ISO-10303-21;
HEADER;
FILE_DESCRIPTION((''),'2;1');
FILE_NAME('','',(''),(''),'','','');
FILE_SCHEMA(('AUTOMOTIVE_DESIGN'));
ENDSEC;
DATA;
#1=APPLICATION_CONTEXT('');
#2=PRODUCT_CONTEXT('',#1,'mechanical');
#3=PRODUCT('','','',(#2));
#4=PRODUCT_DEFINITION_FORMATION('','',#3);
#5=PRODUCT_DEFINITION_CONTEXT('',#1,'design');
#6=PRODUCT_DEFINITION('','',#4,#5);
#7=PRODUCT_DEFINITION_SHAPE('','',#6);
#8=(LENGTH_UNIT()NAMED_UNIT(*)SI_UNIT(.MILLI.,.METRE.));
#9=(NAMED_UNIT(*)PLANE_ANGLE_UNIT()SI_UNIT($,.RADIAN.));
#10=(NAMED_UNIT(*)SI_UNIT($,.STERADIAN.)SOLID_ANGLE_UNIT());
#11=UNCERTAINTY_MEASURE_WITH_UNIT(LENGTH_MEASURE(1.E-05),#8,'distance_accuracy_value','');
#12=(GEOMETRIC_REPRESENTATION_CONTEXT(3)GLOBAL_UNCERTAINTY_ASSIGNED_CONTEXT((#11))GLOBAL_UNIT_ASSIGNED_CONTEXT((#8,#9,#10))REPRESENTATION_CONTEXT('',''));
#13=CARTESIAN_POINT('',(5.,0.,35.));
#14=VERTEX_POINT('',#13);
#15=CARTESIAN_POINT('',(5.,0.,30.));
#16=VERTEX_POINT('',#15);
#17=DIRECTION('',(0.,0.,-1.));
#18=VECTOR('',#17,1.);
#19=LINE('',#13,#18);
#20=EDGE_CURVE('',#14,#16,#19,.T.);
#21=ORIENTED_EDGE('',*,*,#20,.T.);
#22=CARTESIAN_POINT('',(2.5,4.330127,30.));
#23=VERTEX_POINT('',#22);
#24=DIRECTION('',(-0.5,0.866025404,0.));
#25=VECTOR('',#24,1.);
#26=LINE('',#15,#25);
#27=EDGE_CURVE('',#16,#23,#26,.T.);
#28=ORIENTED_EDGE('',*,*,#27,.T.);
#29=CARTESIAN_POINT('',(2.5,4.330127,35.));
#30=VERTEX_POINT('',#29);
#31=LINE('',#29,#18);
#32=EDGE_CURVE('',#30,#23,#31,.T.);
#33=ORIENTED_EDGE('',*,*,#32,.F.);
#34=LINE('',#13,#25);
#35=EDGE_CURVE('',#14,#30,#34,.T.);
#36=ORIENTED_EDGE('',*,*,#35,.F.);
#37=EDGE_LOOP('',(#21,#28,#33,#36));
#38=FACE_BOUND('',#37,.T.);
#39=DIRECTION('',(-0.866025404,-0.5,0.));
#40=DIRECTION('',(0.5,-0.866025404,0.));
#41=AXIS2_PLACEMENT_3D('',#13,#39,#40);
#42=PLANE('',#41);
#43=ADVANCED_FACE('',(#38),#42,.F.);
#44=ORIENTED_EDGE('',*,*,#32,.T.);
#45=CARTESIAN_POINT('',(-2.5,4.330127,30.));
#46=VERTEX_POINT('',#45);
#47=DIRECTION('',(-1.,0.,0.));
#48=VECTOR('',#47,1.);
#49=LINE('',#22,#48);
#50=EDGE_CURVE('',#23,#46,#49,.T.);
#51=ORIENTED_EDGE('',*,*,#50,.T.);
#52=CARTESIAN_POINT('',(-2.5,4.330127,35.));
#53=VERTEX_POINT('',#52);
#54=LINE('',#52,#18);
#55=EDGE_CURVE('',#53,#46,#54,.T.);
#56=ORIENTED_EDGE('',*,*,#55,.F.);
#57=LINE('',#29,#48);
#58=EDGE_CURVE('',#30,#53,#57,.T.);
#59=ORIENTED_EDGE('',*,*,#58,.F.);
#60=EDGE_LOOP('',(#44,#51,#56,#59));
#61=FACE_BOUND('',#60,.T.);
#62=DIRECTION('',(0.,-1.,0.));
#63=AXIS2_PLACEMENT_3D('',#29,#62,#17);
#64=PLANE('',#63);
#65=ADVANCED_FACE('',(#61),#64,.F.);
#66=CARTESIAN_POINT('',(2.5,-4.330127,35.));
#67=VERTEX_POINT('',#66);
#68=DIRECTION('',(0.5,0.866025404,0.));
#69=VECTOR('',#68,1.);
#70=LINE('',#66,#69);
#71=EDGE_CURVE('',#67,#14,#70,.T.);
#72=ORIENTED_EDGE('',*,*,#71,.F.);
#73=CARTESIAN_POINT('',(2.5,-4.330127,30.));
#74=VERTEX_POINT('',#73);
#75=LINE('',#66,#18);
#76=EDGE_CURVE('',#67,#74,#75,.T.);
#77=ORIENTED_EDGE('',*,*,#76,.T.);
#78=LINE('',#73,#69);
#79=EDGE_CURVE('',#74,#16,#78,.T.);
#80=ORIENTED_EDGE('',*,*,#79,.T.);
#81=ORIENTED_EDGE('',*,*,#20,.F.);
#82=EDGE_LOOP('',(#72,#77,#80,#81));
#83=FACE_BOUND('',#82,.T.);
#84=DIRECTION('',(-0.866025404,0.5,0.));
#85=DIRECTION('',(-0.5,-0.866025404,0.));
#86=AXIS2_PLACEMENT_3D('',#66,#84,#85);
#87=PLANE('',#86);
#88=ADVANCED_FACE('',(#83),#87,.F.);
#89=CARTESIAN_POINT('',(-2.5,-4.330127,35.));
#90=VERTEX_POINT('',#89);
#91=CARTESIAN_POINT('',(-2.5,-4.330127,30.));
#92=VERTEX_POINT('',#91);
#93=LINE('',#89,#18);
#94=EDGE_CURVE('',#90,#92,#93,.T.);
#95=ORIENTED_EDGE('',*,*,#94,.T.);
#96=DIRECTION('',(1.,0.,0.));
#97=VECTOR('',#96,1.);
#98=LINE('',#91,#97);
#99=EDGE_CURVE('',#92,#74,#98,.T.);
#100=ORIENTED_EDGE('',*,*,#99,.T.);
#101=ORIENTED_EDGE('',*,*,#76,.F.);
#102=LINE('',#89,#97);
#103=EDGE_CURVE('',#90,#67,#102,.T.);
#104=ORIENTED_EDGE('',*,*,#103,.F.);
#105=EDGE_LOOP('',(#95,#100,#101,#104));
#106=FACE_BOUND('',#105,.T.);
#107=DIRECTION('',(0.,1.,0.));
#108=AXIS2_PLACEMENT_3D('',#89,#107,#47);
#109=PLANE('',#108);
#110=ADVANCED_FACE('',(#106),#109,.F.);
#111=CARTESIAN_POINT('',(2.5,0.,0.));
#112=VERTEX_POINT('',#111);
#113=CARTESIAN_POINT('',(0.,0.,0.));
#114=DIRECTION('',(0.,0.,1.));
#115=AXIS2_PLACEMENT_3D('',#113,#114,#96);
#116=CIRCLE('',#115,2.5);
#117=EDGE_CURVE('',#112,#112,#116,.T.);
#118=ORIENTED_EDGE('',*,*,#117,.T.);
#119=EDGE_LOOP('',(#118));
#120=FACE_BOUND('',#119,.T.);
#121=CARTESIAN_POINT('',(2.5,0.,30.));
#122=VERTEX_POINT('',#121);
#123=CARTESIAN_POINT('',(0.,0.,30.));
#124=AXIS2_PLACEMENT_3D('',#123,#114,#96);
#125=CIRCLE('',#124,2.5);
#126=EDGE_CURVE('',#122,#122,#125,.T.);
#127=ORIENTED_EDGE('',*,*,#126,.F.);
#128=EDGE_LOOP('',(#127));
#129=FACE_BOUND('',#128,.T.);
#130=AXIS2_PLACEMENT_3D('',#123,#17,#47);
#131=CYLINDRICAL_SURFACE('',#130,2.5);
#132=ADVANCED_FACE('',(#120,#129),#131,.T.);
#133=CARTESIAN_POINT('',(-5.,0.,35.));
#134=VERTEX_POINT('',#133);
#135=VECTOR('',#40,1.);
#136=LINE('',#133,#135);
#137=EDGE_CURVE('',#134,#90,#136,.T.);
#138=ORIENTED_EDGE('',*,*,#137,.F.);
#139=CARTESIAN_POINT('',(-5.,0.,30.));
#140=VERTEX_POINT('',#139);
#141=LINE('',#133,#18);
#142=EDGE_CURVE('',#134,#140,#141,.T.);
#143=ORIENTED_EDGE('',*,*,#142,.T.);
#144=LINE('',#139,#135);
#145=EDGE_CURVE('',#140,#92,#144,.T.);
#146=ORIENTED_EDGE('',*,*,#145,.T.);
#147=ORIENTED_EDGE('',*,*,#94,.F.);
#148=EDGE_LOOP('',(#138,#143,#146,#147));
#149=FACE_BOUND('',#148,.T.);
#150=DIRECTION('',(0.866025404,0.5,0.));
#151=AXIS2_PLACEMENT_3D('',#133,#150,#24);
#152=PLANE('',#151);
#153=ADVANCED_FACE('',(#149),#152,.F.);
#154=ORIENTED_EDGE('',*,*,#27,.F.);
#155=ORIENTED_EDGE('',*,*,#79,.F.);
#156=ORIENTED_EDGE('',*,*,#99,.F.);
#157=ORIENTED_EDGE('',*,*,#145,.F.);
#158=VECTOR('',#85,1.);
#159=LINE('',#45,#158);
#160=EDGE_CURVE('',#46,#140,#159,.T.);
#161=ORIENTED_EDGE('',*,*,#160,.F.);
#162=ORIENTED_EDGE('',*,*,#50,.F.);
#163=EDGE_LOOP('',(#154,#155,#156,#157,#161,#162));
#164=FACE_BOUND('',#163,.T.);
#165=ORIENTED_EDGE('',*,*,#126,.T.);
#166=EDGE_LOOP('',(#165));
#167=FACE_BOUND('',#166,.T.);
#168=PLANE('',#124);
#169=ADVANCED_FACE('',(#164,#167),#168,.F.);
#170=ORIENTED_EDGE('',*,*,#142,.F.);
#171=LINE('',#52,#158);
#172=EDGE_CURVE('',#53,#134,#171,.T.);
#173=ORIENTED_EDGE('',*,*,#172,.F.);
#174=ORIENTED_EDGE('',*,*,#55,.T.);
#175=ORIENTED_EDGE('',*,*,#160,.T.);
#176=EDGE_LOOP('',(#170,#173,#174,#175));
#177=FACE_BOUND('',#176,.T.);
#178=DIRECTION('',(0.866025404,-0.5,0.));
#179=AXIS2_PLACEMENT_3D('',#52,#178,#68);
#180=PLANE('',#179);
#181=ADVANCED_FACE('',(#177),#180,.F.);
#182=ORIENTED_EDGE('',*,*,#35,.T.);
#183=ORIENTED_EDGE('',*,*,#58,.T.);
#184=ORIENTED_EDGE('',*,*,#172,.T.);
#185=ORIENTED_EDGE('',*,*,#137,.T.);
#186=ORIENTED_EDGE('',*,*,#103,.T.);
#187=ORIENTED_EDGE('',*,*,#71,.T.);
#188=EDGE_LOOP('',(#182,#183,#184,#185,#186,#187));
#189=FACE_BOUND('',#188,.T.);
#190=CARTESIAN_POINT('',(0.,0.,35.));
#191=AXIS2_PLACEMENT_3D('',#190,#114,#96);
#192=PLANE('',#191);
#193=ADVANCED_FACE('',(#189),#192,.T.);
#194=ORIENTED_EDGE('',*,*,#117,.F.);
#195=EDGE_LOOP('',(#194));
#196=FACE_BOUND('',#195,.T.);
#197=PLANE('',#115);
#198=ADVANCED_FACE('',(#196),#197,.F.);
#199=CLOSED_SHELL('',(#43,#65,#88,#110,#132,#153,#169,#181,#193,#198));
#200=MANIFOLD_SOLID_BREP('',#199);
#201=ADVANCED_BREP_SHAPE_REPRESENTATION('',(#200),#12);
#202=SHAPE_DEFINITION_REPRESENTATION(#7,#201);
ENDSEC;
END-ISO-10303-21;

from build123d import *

# Parameters (mm, degrees)
IZIM1_R                     = 2.5
Y_KSEKLIK_EKSTR_ZYON1_DEPTH = 30
Y_KSEKLIK_EKSTR_ZYON2_DEPTH = 5


with BuildPart() as part:
    # Çizim1 → Yükseklik-Ekstrüzyon1 (new body)
    with BuildSketch(Plane.XY):
        Circle(IZIM1_R)
    extrude(amount=Y_KSEKLIK_EKSTR_ZYON1_DEPTH)

    # Çizim2 → Yükseklik-Ekstrüzyon2 (add)
    with BuildSketch(Plane.XY.offset(30)):
        Polygon((5, 0), (2.5, 4.330127019), (-2.5, 4.330127019), (-5, 0), (-2.5, -4.330127019), (2.5, -4.330127019), align=None)
    extrude(amount=Y_KSEKLIK_EKSTR_ZYON2_DEPTH)


solid = part.part
